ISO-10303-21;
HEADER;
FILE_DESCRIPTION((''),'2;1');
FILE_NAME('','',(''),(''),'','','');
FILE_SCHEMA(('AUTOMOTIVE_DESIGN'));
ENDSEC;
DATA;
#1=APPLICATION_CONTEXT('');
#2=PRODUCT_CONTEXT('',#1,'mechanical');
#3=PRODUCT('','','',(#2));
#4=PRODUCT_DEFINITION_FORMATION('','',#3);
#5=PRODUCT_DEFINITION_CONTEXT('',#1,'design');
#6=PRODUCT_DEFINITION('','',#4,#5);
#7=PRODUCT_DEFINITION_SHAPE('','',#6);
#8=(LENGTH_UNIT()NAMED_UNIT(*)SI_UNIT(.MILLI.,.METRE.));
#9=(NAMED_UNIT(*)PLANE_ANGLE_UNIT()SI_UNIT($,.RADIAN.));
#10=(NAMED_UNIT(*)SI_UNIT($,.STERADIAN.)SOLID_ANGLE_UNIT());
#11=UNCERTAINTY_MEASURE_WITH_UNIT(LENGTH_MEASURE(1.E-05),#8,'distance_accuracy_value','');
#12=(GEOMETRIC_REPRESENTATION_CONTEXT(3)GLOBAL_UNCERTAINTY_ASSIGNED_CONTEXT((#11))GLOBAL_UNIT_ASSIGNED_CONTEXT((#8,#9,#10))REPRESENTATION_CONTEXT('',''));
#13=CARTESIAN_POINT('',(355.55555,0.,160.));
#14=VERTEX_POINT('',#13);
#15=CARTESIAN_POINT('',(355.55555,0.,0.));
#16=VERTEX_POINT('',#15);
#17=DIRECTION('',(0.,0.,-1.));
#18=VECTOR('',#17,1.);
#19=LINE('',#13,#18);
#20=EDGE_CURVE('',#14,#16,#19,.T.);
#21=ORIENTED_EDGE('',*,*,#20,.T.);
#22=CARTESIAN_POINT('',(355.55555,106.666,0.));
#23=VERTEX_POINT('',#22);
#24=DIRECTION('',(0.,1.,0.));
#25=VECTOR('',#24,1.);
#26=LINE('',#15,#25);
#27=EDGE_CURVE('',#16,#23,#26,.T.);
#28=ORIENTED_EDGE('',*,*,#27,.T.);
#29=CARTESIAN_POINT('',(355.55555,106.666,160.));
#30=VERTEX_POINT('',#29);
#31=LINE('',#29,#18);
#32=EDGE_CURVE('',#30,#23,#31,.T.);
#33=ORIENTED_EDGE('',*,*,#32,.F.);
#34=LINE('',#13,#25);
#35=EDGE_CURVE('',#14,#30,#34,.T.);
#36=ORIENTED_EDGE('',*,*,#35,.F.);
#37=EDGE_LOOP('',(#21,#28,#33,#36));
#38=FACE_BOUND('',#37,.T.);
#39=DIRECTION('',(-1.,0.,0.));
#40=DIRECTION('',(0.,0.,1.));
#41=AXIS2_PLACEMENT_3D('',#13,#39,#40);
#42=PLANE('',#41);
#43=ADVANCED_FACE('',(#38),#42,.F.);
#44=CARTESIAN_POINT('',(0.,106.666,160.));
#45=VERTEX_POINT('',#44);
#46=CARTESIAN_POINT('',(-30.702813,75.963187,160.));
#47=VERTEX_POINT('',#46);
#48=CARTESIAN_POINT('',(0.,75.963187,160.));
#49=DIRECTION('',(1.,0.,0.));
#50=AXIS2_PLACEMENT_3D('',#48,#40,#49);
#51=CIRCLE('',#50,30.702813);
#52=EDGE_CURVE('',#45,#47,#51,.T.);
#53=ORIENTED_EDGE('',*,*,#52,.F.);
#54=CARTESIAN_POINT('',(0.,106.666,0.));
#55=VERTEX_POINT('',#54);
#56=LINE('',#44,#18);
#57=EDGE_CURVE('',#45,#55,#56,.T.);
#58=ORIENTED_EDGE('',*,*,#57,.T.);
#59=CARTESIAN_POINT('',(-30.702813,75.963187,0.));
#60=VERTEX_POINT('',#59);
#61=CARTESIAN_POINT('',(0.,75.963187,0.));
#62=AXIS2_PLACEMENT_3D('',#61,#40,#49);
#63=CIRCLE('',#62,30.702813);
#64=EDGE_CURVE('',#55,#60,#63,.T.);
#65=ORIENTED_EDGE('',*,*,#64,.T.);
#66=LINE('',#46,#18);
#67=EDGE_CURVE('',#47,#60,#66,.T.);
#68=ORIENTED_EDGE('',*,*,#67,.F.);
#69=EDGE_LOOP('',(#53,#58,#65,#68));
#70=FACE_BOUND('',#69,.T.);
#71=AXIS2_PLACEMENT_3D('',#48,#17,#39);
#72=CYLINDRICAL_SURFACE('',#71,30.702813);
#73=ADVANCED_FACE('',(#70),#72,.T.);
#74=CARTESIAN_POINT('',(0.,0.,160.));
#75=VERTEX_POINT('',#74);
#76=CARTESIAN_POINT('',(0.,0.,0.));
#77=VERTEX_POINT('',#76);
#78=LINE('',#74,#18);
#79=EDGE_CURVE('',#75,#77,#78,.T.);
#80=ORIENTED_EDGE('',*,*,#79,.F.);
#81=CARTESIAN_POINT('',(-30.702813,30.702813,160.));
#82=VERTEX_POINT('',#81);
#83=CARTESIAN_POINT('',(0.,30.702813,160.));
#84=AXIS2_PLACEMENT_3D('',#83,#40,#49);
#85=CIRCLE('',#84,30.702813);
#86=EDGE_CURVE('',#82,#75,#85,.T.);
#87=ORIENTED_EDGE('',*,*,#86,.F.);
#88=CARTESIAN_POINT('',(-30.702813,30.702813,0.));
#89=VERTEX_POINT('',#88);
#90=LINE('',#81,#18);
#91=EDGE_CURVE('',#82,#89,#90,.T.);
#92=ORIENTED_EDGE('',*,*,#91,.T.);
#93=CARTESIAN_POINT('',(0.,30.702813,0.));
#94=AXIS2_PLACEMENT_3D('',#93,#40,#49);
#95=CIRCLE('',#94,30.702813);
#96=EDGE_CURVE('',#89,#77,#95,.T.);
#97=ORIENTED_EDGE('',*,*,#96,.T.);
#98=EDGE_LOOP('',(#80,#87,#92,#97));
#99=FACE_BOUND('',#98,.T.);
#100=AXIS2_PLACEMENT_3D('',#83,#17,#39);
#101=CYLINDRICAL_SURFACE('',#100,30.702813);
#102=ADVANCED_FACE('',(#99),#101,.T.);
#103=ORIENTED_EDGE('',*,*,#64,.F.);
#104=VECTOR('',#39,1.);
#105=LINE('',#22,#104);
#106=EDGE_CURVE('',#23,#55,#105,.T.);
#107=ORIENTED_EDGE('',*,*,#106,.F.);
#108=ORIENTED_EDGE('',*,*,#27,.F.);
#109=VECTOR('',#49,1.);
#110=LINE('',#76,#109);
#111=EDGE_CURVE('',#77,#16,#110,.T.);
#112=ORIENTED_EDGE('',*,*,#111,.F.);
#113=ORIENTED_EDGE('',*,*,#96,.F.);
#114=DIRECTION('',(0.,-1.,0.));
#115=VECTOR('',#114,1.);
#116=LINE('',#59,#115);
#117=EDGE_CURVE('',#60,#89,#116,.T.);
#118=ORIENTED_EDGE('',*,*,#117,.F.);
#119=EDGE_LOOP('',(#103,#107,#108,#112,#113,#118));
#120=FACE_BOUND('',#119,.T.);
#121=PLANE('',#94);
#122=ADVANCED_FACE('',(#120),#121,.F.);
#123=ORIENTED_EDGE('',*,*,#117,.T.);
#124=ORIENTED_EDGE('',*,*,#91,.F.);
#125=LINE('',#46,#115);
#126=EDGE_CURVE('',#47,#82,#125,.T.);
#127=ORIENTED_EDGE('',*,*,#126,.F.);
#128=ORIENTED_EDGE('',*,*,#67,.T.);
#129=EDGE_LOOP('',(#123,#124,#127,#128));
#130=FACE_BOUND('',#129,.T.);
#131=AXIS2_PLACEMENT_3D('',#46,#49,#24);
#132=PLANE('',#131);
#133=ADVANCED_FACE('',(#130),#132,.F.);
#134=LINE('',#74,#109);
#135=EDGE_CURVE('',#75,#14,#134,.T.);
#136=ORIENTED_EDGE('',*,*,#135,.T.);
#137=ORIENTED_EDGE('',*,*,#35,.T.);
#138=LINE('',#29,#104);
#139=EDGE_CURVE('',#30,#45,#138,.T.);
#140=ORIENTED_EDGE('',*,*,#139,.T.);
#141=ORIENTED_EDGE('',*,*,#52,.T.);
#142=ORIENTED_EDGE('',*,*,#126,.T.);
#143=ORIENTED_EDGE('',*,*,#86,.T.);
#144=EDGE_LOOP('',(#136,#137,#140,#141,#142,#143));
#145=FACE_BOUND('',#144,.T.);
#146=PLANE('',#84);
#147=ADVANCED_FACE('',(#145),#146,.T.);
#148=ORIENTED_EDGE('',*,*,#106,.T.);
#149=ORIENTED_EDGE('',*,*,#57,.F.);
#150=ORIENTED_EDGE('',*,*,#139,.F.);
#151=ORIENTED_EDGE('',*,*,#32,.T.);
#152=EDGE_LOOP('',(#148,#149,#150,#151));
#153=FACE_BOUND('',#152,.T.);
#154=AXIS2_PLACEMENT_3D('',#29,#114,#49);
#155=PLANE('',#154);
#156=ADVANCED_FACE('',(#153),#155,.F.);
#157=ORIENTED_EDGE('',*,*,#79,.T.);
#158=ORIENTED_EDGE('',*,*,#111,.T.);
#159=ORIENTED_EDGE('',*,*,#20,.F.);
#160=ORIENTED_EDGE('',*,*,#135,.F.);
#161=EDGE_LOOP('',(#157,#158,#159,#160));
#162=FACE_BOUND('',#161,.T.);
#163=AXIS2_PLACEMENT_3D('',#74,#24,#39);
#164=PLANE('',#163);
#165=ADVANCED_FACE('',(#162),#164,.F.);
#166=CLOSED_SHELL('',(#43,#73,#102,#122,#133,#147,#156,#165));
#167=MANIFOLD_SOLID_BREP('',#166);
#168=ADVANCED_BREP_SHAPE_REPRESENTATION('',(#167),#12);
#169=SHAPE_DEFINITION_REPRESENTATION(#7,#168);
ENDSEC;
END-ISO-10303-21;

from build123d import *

# Parameters (mm, degrees)
AUFSATZ_LINEAR_AUSTRAGEN1_DEPTH = 160


with BuildPart() as part:
    # Skizze1 → Aufsatz-Linear austragen1 (new body)
    with BuildSketch(Plane.XY):
        with BuildLine():
            Line((0, 0), (355.55555, 0))
            Line((355.55555, 0), (355.55555, 106.666))
            Line((355.55555, 106.666), (0, 106.666))
            ThreePointArc((0, 106.666), (-21.710167252, 97.673354283), (-30.702812969, 75.963187031))
            Line((-30.702812969, 75.963187031), (-30.702812969, 30.702812969))
            ThreePointArc((-30.702812969, 30.702812969), (-21.710167252, 8.992645717), (0, 0))
        make_face()
    extrude(amount=AUFSATZ_LINEAR_AUSTRAGEN1_DEPTH)


solid = part.part
